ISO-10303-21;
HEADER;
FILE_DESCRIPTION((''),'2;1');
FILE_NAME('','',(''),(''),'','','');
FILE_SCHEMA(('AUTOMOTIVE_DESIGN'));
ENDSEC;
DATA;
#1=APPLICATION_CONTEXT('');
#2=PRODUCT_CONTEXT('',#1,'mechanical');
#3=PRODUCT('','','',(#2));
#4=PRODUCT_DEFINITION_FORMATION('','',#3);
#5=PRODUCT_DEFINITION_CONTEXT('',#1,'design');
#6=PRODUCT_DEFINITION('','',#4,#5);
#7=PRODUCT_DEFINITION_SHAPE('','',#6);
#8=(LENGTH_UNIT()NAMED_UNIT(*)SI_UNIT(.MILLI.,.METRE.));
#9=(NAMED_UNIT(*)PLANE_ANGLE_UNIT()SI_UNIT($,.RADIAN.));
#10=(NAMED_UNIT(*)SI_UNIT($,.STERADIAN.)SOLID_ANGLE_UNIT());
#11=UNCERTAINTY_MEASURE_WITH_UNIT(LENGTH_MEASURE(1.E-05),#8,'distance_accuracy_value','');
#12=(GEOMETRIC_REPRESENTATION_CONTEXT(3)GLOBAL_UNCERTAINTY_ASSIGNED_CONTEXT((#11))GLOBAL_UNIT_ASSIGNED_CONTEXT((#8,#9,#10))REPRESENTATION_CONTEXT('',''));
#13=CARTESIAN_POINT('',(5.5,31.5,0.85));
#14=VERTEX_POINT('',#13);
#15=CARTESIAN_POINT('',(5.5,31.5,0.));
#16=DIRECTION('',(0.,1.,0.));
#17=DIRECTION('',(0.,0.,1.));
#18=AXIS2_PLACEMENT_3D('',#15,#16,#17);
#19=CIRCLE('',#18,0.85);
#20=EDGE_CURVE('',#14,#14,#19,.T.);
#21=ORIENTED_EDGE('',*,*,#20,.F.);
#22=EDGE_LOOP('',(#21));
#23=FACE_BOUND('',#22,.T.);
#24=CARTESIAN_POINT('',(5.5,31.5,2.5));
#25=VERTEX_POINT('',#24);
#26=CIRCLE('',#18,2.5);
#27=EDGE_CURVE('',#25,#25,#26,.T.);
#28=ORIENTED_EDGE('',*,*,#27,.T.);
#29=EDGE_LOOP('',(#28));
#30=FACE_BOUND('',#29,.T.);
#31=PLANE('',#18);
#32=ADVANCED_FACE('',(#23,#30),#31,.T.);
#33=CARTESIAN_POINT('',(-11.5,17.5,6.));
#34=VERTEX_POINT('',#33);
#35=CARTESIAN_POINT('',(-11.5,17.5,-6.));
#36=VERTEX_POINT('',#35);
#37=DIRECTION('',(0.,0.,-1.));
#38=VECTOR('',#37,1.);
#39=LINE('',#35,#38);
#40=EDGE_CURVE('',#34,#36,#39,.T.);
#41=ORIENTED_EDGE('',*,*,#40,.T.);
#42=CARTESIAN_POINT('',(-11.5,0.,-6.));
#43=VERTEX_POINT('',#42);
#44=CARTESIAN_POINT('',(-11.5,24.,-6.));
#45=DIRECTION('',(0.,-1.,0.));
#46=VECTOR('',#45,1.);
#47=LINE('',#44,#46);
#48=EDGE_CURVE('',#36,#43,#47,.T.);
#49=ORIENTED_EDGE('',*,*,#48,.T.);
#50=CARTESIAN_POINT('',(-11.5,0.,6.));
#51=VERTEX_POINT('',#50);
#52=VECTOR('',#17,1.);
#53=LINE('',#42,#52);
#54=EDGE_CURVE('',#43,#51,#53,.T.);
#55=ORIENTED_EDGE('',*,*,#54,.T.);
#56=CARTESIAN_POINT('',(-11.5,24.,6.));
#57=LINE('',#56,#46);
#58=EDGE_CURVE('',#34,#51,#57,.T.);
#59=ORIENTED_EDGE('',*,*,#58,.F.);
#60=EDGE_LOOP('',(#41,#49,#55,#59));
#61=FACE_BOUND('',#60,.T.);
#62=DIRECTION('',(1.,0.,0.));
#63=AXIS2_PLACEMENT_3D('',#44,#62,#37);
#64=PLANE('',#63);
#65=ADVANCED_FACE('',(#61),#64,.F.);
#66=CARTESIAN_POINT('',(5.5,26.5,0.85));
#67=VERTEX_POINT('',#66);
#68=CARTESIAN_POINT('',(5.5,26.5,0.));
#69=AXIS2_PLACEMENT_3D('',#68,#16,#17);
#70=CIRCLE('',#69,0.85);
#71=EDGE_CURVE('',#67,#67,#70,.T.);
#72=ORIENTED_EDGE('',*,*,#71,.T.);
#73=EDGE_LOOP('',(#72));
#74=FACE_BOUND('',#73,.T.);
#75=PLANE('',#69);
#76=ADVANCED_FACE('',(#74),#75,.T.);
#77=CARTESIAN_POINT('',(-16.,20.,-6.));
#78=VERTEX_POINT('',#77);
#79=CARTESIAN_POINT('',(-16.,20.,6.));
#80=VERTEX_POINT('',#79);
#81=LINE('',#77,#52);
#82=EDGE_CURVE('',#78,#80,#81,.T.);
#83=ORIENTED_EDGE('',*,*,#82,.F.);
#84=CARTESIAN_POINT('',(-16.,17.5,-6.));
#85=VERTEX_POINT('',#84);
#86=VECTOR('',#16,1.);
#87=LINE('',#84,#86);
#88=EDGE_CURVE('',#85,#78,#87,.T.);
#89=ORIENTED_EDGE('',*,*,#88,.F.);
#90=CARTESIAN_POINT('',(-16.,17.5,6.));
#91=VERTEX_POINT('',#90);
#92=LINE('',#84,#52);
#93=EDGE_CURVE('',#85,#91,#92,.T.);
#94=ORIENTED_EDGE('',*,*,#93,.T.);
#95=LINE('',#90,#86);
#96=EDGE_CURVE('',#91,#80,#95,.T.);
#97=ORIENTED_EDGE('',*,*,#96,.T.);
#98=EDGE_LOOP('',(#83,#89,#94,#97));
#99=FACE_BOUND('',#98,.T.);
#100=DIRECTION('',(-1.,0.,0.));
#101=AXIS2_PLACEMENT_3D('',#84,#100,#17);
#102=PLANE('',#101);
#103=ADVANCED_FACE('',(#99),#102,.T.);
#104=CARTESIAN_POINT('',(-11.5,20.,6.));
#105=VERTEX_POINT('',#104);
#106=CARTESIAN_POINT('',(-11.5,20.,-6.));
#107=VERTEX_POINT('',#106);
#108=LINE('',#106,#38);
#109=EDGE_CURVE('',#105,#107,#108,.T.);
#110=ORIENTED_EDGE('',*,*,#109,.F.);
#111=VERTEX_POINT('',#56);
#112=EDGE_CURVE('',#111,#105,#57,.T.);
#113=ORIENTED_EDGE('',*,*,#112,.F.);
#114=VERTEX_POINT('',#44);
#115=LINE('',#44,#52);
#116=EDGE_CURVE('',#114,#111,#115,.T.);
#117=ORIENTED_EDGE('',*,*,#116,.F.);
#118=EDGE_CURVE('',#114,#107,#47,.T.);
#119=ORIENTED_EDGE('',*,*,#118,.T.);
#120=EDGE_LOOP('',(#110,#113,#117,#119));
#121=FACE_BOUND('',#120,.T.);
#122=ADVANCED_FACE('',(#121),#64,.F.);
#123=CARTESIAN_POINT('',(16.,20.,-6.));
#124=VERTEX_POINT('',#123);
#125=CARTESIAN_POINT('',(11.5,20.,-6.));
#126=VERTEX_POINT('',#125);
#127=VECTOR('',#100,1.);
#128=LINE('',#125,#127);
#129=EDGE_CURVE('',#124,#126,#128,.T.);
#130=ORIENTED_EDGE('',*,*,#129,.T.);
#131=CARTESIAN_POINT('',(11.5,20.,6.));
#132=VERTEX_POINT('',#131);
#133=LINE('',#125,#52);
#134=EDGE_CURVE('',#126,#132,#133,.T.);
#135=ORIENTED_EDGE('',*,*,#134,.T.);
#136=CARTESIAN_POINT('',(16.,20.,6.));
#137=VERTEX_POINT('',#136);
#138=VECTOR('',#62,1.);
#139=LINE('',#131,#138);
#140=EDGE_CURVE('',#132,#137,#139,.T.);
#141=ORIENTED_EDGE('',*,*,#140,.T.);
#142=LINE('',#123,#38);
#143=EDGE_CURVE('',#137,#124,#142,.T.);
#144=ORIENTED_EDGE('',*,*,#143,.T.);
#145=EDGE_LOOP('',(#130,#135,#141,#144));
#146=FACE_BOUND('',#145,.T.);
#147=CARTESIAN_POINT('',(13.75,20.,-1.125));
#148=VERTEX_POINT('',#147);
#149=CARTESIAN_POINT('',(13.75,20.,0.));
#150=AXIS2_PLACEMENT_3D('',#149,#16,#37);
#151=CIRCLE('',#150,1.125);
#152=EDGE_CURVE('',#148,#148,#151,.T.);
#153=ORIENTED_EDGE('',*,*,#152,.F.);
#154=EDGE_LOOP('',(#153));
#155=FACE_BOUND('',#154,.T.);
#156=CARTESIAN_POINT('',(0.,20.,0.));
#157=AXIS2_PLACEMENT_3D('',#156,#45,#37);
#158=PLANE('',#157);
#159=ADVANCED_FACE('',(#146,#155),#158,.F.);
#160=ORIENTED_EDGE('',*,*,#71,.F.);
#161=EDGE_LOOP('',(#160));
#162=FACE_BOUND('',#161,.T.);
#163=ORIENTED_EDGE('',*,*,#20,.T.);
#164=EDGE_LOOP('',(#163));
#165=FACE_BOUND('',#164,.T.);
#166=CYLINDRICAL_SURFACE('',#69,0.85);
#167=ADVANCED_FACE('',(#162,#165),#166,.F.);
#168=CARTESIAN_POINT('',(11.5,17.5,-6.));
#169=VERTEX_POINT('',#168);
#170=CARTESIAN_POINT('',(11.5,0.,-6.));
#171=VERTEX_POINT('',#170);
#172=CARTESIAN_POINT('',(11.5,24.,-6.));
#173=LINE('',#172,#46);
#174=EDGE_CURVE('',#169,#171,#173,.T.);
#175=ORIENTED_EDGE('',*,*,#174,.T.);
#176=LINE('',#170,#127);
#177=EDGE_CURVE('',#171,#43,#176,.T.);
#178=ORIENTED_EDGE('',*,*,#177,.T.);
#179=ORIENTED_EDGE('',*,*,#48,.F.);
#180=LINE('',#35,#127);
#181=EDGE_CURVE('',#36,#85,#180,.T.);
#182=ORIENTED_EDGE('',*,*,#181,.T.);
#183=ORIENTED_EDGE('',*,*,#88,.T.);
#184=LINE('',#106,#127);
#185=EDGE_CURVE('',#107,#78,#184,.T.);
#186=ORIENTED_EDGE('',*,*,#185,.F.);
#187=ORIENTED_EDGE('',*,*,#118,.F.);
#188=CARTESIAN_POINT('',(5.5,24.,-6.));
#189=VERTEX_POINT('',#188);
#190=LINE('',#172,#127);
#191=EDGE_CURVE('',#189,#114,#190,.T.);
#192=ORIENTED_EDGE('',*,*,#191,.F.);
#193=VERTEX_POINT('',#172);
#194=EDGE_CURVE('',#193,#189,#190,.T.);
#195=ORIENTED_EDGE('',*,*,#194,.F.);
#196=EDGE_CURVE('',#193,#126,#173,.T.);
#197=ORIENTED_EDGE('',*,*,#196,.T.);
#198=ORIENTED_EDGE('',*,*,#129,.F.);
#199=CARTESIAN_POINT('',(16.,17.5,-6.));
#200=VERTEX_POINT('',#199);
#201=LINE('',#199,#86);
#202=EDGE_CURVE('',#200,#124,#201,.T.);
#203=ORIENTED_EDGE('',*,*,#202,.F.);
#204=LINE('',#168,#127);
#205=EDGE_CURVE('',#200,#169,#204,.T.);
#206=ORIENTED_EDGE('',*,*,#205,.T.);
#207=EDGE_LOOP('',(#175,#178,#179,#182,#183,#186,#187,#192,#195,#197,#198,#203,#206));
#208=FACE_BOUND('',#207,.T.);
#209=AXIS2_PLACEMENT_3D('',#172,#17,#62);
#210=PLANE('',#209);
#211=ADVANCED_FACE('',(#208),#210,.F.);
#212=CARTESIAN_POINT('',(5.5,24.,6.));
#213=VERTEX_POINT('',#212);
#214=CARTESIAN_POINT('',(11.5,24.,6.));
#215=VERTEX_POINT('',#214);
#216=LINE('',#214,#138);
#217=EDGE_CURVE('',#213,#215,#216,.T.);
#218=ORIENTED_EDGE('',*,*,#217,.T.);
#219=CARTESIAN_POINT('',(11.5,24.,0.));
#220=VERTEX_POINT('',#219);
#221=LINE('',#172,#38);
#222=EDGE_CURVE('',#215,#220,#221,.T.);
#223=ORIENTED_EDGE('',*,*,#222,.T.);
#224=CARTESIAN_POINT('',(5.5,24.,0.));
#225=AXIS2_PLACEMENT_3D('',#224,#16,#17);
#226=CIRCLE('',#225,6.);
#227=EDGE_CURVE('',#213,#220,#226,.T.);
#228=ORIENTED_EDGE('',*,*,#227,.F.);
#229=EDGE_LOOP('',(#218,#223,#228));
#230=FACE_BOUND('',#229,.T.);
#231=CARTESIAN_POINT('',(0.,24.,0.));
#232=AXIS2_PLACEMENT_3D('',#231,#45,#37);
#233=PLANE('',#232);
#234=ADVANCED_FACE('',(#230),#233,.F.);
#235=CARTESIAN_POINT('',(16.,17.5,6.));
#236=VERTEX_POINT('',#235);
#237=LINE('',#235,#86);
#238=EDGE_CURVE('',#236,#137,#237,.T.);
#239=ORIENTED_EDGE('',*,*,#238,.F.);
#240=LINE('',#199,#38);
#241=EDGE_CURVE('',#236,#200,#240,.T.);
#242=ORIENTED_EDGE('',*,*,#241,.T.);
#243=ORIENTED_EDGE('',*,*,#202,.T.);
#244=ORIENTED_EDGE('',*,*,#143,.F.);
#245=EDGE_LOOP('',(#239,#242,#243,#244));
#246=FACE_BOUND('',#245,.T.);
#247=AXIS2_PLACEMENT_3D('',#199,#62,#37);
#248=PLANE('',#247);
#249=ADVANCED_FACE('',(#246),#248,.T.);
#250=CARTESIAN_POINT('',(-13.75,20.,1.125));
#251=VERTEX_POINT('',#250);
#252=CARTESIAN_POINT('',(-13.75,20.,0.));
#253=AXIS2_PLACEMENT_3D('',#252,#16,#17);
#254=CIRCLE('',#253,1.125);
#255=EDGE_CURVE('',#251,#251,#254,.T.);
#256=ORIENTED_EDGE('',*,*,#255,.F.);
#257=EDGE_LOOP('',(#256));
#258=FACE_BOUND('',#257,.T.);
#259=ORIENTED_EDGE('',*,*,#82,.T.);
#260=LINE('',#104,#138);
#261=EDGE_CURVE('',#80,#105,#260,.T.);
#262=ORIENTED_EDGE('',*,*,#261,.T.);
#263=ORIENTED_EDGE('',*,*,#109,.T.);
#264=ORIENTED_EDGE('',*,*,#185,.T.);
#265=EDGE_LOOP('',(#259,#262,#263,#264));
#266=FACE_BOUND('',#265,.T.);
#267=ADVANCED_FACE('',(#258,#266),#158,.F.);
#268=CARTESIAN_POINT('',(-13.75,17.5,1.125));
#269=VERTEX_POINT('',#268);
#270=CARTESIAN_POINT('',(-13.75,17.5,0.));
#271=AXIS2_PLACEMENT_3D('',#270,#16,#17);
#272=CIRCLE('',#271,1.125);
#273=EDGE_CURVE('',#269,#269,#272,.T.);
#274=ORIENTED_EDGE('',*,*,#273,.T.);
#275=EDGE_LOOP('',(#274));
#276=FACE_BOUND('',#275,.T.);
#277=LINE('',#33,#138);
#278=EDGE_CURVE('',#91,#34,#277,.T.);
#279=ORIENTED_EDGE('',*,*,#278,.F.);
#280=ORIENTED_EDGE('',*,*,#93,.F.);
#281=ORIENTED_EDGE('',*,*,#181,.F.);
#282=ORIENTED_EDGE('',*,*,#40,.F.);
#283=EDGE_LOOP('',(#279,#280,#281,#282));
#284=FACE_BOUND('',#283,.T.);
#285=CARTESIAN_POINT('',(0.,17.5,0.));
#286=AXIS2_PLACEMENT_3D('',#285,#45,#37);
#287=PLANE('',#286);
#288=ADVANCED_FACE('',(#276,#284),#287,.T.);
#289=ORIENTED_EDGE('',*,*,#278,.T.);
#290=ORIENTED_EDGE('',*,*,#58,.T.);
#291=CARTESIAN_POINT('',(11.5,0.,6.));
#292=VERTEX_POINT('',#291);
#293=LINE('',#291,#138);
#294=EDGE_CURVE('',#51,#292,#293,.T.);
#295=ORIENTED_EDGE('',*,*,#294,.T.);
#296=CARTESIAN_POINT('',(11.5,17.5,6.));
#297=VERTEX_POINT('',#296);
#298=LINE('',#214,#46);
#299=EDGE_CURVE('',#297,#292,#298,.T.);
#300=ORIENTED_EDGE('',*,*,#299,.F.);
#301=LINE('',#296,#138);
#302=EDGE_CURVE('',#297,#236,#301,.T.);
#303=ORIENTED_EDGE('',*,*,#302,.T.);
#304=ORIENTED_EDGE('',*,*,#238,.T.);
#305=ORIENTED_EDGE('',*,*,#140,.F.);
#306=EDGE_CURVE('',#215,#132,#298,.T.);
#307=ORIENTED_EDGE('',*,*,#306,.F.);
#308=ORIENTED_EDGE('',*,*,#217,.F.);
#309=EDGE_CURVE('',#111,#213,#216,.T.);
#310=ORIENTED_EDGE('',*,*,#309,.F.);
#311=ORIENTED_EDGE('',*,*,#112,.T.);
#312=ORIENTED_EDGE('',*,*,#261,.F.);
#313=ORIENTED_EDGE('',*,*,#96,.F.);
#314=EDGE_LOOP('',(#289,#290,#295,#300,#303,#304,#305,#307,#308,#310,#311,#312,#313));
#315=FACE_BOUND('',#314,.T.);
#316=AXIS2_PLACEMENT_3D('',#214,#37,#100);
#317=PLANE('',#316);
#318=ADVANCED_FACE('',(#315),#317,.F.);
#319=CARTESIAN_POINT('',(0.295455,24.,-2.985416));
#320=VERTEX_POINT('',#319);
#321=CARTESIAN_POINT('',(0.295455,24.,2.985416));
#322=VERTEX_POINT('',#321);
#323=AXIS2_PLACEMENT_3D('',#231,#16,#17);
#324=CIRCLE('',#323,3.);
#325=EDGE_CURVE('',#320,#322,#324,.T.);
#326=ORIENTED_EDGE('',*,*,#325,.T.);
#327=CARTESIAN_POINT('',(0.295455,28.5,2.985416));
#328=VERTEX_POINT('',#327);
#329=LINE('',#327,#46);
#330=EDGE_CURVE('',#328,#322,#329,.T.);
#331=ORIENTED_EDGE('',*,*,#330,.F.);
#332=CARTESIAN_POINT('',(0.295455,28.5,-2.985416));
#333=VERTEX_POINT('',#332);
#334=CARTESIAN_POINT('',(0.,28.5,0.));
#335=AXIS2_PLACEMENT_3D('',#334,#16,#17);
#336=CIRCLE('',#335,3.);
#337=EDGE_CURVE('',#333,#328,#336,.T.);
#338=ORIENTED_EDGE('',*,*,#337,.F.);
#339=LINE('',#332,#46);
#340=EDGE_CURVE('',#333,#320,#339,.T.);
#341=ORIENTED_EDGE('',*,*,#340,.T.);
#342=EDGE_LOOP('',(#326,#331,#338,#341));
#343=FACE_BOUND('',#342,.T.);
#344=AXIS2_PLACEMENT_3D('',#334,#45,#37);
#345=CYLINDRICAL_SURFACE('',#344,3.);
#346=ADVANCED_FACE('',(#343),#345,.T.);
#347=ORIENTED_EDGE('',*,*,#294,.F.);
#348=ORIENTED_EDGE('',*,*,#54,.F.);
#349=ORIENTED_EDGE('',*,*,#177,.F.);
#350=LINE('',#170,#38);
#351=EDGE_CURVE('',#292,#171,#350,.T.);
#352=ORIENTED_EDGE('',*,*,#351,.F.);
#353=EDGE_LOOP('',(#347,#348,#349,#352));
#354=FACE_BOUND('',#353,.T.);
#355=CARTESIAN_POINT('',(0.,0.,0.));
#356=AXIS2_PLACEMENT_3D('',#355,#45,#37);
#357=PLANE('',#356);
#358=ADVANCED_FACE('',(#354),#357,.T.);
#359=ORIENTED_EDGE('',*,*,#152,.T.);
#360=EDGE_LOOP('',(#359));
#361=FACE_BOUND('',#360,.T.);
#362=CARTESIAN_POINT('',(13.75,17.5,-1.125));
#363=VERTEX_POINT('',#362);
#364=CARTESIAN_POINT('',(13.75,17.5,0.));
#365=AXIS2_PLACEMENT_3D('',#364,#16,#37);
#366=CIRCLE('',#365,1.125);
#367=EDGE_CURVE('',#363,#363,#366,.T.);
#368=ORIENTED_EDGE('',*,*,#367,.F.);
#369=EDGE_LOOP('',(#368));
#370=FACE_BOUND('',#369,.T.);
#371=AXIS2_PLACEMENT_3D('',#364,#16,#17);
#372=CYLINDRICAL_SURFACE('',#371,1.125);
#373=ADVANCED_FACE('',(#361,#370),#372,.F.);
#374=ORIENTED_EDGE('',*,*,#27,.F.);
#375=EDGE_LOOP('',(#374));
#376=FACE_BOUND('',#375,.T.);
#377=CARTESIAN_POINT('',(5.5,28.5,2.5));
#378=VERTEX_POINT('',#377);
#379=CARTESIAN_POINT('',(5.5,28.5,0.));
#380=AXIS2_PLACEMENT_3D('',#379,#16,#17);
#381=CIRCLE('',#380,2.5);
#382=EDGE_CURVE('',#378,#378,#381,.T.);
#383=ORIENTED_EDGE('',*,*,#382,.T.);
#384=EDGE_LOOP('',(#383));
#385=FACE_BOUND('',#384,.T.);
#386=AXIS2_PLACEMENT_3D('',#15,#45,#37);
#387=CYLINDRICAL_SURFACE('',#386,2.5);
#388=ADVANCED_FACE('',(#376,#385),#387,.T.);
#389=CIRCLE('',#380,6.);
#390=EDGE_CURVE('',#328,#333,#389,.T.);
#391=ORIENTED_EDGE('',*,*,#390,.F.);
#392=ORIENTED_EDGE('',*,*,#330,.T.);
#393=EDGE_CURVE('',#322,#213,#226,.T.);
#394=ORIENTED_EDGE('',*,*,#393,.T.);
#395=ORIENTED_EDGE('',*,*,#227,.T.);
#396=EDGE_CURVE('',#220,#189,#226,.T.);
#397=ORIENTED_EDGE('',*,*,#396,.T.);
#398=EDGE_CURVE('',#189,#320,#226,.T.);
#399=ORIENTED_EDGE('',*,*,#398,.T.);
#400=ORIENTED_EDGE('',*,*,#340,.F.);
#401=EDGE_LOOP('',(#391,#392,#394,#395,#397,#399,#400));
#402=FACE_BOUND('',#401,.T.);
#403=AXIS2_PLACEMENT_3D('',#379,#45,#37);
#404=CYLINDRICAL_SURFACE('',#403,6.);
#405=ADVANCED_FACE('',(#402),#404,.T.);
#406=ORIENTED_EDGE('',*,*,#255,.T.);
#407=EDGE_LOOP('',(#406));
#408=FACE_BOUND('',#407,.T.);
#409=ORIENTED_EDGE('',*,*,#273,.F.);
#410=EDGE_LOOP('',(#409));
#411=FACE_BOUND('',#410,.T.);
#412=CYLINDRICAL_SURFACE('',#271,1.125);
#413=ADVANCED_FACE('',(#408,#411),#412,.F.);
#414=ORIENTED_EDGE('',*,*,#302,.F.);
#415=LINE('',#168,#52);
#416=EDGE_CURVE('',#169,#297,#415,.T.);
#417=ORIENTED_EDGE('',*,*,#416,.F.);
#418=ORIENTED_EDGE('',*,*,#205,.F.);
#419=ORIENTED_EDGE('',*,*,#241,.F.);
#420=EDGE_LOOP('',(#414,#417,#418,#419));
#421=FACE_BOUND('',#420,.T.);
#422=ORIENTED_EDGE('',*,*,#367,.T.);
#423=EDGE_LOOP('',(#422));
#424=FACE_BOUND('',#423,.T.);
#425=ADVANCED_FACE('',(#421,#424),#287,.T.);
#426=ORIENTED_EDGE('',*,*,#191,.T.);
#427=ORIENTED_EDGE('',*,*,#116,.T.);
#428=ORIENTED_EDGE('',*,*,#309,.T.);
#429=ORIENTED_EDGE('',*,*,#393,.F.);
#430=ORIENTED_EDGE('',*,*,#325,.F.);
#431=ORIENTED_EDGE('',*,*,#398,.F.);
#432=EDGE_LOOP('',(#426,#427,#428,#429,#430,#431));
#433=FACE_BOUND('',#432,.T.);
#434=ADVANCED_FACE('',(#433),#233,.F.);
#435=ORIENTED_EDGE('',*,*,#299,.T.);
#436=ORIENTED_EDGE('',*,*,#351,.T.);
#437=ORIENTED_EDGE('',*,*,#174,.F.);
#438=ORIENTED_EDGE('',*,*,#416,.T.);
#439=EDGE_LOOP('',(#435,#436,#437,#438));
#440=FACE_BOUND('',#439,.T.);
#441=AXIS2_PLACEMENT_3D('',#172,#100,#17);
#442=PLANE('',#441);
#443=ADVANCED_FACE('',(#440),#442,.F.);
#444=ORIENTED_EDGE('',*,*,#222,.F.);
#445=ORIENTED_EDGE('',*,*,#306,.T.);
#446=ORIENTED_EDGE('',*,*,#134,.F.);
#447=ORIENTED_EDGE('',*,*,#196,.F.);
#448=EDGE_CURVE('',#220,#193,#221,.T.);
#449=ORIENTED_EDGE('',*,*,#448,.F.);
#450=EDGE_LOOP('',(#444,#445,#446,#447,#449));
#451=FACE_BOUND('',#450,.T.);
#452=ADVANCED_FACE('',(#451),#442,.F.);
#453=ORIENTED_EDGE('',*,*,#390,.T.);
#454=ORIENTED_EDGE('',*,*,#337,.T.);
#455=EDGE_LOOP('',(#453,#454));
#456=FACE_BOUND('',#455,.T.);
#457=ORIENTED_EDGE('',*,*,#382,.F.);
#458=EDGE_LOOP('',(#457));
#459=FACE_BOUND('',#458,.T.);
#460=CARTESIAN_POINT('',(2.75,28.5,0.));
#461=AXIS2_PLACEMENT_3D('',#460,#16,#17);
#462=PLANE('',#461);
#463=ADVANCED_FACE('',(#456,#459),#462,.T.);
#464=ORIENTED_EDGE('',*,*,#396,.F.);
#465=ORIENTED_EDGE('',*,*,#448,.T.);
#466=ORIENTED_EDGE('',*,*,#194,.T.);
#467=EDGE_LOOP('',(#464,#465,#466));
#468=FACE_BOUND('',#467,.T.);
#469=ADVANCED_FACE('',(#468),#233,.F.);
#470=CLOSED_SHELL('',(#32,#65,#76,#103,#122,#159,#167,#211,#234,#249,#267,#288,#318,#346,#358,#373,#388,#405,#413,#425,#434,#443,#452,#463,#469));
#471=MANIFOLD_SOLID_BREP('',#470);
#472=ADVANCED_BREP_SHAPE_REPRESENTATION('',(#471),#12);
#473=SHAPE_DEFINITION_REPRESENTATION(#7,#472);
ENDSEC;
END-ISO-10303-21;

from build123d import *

# Parameters (mm, degrees)
SKETCH1_W           = 23
SKETCH1_H           = 12
BOSS_EXTRUDE1_DEPTH = 24
BOSS_EXTRUDE2_DEPTH = 4.5
SKETCH3_R           = 2.5
BOSS_EXTRUDE3_DEPTH = 3
SKETCH4_R           = 0.85
CUT_EXTRUDE1_DEPTH  = 5
BOSS_EXTRUDE4_START = -4
SKETCH5_W           = 4.5
SKETCH5_H           = 12
SKETCH5_R           = 1.125
BOSS_EXTRUDE4_DEPTH = 2.5


with BuildPart() as part:
    # Sketch1 → Boss-Extrude1 (new body)
    with BuildSketch(Plane(origin=(0, 0, 0), x_dir=(1, 0, 0), z_dir=(0, 1, 0))):
        Rectangle(SKETCH1_W, SKETCH1_H)
    extrude(amount=BOSS_EXTRUDE1_DEPTH)

    # Sketch2 → Boss-Extrude2 (add)
    with BuildSketch(Plane(origin=(0, 24, 0), x_dir=(1, 0, 0), z_dir=(0, 1, 0))):
        with BuildLine():
            ThreePointArc((0.295454545, 2.985415651), (-3, 0), (0.295454545, -2.985415651))
            ThreePointArc((0.295454545, -2.985415651), (11.5, 0), (0.295454545, 2.985415651))
        make_face()
    extrude(amount=BOSS_EXTRUDE2_DEPTH)

    # Sketch3 → Boss-Extrude3 (add)
    with BuildSketch(Plane(origin=(0, 28.5, 0), x_dir=(1, 0, 0), z_dir=(0, 1, 0))):
        with Locations(Location((5.5, 0, 0), (0, 0, 270))):
            Circle(SKETCH3_R)
    extrude(amount=BOSS_EXTRUDE3_DEPTH)

    # Sketch4 → Cut-Extrude1 (cut)
    with BuildSketch(Plane(origin=(0, 31.5, 0), x_dir=(1, 0, 0), z_dir=(0, 1, 0))):
        with Locations(Location((5.5, 0, 0), (0, 0, 270))):
            Circle(SKETCH4_R)
    extrude(amount=-CUT_EXTRUDE1_DEPTH, mode=Mode.SUBTRACT)

    # Sketch5 → Boss-Extrude4 (add)
    # profile 1 of 2: a face of its own
    with BuildSketch(Plane(origin=(0, 24, 0), x_dir=(1, 0, 0), z_dir=(0, 1, 0)).offset(BOSS_EXTRUDE4_START)):
        with Locations((-13.75, 0)):
            Rectangle(SKETCH5_W, SKETCH5_H)
        with Locations(Location((-13.75, 0, 0), (0, 0, 270))):
            Circle(SKETCH5_R, mode=Mode.SUBTRACT)
    # profile 2 of 2: a face of its own
    with BuildSketch(Plane(origin=(0, 24, 0), x_dir=(1, 0, 0), z_dir=(0, 1, 0)).offset(BOSS_EXTRUDE4_START)):
        with Locations((13.75, 0)):
            Rectangle(SKETCH5_W, SKETCH5_H)
        with Locations(Location((13.75, 0, 0), (0, 0, 90))):
            Circle(SKETCH5_R, mode=Mode.SUBTRACT)
    extrude(amount=-BOSS_EXTRUDE4_DEPTH)


solid = part.part
